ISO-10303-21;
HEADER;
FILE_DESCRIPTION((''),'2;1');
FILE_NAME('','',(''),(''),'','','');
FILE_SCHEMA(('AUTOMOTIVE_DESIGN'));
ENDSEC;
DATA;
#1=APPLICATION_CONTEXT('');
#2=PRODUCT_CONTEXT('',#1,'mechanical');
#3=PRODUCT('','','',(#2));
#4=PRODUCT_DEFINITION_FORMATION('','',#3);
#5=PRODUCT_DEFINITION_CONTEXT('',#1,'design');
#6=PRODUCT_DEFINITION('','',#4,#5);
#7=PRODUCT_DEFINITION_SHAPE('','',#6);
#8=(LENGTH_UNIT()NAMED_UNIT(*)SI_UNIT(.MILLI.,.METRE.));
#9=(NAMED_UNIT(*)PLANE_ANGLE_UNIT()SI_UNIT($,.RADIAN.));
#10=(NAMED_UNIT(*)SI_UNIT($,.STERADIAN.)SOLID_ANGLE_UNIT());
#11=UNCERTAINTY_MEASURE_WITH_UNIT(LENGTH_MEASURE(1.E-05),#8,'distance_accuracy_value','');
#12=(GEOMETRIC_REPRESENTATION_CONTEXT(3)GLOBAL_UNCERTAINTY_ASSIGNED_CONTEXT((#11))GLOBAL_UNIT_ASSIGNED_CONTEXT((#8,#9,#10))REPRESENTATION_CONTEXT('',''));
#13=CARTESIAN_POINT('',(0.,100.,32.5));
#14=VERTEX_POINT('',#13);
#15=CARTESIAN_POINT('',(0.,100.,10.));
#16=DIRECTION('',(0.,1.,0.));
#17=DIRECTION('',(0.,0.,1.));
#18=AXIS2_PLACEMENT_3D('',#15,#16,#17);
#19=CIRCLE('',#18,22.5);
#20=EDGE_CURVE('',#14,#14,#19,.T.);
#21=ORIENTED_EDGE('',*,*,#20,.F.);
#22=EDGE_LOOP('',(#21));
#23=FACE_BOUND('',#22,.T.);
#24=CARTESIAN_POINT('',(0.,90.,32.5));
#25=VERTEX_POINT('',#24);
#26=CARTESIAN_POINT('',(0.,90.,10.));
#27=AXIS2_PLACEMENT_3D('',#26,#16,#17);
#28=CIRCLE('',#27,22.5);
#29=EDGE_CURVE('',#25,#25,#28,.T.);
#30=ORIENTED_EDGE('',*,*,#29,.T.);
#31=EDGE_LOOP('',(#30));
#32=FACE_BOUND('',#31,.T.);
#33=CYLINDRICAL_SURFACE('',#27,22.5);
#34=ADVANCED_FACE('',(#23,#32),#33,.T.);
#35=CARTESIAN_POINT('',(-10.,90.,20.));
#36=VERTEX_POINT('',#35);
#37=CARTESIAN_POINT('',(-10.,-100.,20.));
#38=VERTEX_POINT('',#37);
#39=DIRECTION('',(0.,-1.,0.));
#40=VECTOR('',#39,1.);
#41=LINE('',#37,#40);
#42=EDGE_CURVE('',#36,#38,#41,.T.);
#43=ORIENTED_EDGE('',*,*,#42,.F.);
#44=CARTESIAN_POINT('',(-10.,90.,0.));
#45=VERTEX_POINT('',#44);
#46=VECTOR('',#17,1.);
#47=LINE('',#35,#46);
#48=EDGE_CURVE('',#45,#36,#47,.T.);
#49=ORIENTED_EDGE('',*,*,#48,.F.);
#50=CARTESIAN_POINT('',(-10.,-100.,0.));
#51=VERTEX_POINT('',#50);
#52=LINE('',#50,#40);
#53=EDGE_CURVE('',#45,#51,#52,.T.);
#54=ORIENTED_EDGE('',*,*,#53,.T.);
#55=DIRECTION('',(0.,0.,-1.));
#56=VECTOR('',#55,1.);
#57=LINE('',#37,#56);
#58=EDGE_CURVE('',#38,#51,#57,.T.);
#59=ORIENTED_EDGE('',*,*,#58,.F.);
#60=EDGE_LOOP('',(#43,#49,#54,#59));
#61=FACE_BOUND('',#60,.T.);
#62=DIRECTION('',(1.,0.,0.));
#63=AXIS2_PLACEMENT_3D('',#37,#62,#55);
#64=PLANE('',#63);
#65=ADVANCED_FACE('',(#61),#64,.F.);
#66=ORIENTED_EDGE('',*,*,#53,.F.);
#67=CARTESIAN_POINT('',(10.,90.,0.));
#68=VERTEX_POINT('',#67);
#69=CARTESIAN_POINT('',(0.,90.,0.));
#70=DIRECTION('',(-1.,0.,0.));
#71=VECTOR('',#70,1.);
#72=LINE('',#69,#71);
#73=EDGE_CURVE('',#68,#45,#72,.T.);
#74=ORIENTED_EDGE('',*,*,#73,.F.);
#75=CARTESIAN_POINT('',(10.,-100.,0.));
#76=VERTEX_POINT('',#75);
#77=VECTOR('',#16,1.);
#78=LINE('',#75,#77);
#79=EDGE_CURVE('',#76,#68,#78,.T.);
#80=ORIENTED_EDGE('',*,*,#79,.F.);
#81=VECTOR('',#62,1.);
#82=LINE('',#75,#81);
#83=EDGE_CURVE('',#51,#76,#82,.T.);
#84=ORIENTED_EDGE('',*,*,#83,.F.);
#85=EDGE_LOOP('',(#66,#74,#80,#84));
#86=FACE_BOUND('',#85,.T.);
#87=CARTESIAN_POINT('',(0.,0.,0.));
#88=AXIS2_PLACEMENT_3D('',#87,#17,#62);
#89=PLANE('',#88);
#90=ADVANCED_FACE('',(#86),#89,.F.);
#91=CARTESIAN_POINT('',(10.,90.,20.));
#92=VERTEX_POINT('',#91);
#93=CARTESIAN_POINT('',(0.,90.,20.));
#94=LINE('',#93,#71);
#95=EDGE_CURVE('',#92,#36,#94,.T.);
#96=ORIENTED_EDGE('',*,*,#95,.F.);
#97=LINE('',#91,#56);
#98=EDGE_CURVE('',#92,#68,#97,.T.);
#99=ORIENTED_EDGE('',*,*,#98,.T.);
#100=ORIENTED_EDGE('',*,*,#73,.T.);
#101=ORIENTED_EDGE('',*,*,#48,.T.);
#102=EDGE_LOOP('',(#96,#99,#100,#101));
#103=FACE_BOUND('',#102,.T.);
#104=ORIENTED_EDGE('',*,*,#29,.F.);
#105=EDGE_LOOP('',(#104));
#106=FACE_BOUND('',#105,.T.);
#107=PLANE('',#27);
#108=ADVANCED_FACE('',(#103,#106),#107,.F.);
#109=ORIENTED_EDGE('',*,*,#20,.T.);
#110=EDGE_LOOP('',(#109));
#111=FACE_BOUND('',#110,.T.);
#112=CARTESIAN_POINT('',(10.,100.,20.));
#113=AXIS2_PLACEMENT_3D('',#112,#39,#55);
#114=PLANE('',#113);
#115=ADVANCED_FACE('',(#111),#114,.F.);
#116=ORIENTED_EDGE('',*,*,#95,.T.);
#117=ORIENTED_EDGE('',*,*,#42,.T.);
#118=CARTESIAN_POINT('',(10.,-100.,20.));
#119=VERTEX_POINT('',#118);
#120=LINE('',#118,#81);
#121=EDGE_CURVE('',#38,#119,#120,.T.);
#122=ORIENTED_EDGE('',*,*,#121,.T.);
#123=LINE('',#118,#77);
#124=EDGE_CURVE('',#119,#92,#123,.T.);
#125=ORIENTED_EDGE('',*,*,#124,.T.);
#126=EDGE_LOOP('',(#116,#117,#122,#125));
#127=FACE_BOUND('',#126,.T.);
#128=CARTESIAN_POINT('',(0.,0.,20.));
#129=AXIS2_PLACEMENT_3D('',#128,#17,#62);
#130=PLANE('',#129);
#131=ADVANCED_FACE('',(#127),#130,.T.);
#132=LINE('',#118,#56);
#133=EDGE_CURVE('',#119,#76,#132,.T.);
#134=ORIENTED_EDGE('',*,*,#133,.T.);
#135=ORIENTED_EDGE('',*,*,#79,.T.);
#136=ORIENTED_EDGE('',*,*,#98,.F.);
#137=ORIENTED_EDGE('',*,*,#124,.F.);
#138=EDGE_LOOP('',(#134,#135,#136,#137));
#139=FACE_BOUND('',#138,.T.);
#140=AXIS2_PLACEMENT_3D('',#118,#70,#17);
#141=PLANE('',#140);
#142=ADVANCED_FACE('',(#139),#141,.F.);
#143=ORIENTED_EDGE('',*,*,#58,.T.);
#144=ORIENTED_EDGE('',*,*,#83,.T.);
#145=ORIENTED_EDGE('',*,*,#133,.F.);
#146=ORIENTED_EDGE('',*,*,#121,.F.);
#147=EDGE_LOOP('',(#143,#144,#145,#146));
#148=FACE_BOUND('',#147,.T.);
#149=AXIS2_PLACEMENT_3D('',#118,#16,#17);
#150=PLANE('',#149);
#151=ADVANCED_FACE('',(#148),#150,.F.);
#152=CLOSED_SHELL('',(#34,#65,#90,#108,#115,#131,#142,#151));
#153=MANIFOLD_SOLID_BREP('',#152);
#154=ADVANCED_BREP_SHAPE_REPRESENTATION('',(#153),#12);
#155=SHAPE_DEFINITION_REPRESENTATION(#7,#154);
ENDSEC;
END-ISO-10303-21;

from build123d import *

# Parameters (mm, degrees)
SKETCH1_W           = 20
SKETCH1_H           = 200
BOSS_EXTRUDE1_DEPTH = 20
SKETCH4_R           = 22.5
BOSS_EXTRUDE3_DEPTH = 10


with BuildPart() as part:
    # Sketch1 → Boss-Extrude1 (new body)
    with BuildSketch(Plane.XY):
        Rectangle(SKETCH1_W, SKETCH1_H)
    extrude(amount=BOSS_EXTRUDE1_DEPTH)

    # Sketch4 → Boss-Extrude3 (add)
    with BuildSketch(Plane(origin=(0, 100, 0), x_dir=(1, 0, 0), z_dir=(0, 1, 0))):
        with Locations(Location((0, -10, 0), (0, 0, 270))):
            Circle(SKETCH4_R)
    extrude(amount=-BOSS_EXTRUDE3_DEPTH)


solid = part.part
